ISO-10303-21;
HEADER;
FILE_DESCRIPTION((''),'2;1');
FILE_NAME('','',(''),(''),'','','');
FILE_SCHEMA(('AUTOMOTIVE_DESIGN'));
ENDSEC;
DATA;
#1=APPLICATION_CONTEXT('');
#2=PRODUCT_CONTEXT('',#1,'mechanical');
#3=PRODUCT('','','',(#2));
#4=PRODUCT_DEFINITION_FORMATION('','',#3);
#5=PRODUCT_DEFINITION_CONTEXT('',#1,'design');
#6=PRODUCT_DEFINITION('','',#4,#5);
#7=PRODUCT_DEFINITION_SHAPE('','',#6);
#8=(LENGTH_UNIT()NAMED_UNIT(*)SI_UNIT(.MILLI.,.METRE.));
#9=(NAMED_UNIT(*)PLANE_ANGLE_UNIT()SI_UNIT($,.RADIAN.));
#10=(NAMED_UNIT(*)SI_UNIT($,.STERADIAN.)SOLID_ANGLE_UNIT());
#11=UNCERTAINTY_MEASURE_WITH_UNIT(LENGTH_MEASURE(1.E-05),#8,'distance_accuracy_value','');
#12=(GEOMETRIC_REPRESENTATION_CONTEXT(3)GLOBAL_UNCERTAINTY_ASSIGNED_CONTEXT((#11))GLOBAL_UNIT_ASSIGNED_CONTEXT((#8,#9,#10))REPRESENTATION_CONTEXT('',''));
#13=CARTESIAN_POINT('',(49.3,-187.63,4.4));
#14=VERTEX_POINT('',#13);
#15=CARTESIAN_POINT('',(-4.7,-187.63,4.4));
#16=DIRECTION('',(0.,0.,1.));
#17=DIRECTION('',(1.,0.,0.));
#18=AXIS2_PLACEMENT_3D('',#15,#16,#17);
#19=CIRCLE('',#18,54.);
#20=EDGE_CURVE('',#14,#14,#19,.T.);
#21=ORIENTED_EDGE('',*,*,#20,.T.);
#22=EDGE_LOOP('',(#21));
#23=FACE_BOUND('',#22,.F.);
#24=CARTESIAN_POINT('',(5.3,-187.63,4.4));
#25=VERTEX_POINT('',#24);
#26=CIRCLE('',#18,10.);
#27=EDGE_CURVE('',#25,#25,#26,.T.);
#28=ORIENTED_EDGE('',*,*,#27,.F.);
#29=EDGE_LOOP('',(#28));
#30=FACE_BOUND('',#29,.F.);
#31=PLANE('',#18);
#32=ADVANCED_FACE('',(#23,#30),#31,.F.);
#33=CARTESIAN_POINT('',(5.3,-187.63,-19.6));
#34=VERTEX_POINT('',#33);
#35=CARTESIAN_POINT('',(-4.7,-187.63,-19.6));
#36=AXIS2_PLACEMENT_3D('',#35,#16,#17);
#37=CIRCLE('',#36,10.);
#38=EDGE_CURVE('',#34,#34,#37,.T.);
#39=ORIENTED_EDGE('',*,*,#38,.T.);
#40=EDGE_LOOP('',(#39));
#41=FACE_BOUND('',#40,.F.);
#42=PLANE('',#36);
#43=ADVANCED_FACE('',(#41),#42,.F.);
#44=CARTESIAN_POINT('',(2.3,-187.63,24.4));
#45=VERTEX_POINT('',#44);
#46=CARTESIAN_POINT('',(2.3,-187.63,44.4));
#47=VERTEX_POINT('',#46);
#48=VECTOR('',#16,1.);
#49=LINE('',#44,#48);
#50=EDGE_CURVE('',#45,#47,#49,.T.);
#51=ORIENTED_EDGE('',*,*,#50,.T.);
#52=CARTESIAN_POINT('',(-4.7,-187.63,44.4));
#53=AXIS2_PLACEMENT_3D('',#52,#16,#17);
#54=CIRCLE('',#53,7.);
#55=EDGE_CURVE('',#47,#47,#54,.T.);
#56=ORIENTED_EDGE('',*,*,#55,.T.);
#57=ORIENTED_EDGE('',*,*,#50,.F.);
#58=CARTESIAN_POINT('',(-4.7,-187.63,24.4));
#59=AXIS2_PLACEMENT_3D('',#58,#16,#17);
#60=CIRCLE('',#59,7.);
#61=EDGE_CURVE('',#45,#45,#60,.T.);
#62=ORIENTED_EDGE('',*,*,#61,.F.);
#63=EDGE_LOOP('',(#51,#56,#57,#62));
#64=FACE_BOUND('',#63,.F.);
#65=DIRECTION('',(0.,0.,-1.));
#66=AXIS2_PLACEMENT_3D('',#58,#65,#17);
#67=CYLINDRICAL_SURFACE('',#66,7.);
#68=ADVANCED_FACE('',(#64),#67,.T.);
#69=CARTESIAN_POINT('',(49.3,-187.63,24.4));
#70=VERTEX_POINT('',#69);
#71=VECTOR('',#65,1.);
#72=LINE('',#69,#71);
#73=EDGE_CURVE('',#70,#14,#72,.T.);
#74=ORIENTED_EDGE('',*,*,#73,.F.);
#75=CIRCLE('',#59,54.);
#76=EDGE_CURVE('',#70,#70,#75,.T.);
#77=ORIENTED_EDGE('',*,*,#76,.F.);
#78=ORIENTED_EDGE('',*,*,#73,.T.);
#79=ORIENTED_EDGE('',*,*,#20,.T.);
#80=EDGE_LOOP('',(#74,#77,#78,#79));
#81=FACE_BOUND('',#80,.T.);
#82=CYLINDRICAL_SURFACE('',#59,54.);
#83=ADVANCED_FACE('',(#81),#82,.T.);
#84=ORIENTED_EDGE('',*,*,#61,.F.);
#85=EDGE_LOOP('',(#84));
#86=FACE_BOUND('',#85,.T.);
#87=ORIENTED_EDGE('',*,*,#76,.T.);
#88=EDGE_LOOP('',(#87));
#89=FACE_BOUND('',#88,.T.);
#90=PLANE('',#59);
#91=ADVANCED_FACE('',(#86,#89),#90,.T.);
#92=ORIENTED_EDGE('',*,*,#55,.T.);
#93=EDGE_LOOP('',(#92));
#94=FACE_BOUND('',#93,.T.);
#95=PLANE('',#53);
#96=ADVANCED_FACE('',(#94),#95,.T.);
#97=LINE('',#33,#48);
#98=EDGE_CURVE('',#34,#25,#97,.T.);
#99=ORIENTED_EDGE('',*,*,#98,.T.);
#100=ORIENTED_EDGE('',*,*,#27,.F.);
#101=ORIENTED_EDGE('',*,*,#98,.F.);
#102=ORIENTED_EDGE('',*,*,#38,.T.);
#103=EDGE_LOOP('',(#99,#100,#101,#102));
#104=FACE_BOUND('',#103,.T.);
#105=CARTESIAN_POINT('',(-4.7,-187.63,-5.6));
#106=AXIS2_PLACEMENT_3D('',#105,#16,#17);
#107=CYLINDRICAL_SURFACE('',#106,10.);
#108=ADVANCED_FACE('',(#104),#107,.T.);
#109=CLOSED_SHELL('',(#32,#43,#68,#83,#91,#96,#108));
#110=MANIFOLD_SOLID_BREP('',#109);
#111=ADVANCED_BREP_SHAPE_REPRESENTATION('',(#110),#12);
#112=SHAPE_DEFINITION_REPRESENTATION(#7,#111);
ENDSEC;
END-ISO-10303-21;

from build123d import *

# Parameters (mm, degrees)
SKETCH004_R           = 54
EXTRUDE004_DEPTH      = 20
SKETCH003_R           = 10
EXTRUDE003_DEPTH      = 30
EXTRUDE003_DEPTH_BACK = 14
SKETCH005_R           = 7
EXTRUDE005_DEPTH      = 20


with BuildPart() as outercylinder:
    # Sketch004 (on Face3 of Extrude003) → Extrude004 (new body)
    with BuildSketch(Plane.XY.offset(98.4)):
        with Locations((-58.7, 20.37)):
            Circle(SKETCH004_R)
    extrude(amount=-EXTRUDE004_DEPTH)


with BuildPart() as innercylinder:
    # Sketch003 → Extrude003 (new body, two sides)
    with BuildSketch(Plane.XY.offset(68.4)) as extrude003_sk:
        with Locations((-58.7, 20.37)):
            Circle(SKETCH003_R)
    extrude(amount=EXTRUDE003_DEPTH)
    extrude(extrude003_sk.sketch, amount=-EXTRUDE003_DEPTH_BACK)


with BuildPart() as motoradapter:
    # Sketch005 (on Face3 of Extrude003) → Extrude005 (new body)
    with BuildSketch(Plane.XY.offset(98.4)):
        with Locations((-58.7, 20.37)):
            Circle(SKETCH005_R)
    extrude(amount=EXTRUDE005_DEPTH)

    # Fusion005: union outerCylinder, innerCylinder
    add(outercylinder.part)
    add(innercylinder.part)


with BuildPart() as motoradapter_1:
    # Fusion005 placement: moved
    add(motoradapter.part.moved(Location((54, -208, -74))))


solid = motoradapter_1.part
